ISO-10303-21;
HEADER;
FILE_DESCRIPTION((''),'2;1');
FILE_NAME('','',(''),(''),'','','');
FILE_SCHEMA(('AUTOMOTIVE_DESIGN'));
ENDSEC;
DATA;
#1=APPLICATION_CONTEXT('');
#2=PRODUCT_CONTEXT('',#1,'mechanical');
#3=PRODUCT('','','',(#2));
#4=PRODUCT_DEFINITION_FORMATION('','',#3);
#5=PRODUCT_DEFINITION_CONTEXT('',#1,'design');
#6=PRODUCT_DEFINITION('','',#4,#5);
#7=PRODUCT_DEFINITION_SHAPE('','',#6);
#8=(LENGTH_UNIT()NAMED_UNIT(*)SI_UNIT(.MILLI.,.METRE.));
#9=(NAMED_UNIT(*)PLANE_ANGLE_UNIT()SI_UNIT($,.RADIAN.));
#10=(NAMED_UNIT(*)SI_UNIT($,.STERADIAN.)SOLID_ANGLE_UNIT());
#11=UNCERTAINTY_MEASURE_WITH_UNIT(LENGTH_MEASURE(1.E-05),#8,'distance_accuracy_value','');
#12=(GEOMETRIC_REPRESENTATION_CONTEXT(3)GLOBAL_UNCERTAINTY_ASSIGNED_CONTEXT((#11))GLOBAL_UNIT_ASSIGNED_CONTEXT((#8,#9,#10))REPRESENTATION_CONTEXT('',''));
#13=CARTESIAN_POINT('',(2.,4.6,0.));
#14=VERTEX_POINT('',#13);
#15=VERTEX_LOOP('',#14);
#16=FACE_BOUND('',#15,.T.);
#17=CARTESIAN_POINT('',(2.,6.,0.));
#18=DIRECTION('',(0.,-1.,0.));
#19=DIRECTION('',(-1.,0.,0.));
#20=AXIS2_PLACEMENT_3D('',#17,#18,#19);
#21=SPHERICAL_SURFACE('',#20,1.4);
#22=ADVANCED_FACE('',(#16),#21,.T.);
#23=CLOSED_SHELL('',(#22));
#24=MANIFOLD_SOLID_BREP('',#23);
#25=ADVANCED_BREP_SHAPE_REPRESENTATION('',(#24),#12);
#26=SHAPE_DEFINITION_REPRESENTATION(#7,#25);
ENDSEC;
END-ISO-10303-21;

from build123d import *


with BuildPart() as part:
    # Esquisse1 → Base-Révolution (revolve)
    with BuildSketch(Plane.XY):
        with BuildLine():
            Line((2, 4.6), (2, 7.4))
            ThreePointArc((2, 7.4), (0.6, 6), (2, 4.6))
        make_face()
    revolve(axis=Axis((2, 8, 0), (0, 1, 0)))


solid = part.part
